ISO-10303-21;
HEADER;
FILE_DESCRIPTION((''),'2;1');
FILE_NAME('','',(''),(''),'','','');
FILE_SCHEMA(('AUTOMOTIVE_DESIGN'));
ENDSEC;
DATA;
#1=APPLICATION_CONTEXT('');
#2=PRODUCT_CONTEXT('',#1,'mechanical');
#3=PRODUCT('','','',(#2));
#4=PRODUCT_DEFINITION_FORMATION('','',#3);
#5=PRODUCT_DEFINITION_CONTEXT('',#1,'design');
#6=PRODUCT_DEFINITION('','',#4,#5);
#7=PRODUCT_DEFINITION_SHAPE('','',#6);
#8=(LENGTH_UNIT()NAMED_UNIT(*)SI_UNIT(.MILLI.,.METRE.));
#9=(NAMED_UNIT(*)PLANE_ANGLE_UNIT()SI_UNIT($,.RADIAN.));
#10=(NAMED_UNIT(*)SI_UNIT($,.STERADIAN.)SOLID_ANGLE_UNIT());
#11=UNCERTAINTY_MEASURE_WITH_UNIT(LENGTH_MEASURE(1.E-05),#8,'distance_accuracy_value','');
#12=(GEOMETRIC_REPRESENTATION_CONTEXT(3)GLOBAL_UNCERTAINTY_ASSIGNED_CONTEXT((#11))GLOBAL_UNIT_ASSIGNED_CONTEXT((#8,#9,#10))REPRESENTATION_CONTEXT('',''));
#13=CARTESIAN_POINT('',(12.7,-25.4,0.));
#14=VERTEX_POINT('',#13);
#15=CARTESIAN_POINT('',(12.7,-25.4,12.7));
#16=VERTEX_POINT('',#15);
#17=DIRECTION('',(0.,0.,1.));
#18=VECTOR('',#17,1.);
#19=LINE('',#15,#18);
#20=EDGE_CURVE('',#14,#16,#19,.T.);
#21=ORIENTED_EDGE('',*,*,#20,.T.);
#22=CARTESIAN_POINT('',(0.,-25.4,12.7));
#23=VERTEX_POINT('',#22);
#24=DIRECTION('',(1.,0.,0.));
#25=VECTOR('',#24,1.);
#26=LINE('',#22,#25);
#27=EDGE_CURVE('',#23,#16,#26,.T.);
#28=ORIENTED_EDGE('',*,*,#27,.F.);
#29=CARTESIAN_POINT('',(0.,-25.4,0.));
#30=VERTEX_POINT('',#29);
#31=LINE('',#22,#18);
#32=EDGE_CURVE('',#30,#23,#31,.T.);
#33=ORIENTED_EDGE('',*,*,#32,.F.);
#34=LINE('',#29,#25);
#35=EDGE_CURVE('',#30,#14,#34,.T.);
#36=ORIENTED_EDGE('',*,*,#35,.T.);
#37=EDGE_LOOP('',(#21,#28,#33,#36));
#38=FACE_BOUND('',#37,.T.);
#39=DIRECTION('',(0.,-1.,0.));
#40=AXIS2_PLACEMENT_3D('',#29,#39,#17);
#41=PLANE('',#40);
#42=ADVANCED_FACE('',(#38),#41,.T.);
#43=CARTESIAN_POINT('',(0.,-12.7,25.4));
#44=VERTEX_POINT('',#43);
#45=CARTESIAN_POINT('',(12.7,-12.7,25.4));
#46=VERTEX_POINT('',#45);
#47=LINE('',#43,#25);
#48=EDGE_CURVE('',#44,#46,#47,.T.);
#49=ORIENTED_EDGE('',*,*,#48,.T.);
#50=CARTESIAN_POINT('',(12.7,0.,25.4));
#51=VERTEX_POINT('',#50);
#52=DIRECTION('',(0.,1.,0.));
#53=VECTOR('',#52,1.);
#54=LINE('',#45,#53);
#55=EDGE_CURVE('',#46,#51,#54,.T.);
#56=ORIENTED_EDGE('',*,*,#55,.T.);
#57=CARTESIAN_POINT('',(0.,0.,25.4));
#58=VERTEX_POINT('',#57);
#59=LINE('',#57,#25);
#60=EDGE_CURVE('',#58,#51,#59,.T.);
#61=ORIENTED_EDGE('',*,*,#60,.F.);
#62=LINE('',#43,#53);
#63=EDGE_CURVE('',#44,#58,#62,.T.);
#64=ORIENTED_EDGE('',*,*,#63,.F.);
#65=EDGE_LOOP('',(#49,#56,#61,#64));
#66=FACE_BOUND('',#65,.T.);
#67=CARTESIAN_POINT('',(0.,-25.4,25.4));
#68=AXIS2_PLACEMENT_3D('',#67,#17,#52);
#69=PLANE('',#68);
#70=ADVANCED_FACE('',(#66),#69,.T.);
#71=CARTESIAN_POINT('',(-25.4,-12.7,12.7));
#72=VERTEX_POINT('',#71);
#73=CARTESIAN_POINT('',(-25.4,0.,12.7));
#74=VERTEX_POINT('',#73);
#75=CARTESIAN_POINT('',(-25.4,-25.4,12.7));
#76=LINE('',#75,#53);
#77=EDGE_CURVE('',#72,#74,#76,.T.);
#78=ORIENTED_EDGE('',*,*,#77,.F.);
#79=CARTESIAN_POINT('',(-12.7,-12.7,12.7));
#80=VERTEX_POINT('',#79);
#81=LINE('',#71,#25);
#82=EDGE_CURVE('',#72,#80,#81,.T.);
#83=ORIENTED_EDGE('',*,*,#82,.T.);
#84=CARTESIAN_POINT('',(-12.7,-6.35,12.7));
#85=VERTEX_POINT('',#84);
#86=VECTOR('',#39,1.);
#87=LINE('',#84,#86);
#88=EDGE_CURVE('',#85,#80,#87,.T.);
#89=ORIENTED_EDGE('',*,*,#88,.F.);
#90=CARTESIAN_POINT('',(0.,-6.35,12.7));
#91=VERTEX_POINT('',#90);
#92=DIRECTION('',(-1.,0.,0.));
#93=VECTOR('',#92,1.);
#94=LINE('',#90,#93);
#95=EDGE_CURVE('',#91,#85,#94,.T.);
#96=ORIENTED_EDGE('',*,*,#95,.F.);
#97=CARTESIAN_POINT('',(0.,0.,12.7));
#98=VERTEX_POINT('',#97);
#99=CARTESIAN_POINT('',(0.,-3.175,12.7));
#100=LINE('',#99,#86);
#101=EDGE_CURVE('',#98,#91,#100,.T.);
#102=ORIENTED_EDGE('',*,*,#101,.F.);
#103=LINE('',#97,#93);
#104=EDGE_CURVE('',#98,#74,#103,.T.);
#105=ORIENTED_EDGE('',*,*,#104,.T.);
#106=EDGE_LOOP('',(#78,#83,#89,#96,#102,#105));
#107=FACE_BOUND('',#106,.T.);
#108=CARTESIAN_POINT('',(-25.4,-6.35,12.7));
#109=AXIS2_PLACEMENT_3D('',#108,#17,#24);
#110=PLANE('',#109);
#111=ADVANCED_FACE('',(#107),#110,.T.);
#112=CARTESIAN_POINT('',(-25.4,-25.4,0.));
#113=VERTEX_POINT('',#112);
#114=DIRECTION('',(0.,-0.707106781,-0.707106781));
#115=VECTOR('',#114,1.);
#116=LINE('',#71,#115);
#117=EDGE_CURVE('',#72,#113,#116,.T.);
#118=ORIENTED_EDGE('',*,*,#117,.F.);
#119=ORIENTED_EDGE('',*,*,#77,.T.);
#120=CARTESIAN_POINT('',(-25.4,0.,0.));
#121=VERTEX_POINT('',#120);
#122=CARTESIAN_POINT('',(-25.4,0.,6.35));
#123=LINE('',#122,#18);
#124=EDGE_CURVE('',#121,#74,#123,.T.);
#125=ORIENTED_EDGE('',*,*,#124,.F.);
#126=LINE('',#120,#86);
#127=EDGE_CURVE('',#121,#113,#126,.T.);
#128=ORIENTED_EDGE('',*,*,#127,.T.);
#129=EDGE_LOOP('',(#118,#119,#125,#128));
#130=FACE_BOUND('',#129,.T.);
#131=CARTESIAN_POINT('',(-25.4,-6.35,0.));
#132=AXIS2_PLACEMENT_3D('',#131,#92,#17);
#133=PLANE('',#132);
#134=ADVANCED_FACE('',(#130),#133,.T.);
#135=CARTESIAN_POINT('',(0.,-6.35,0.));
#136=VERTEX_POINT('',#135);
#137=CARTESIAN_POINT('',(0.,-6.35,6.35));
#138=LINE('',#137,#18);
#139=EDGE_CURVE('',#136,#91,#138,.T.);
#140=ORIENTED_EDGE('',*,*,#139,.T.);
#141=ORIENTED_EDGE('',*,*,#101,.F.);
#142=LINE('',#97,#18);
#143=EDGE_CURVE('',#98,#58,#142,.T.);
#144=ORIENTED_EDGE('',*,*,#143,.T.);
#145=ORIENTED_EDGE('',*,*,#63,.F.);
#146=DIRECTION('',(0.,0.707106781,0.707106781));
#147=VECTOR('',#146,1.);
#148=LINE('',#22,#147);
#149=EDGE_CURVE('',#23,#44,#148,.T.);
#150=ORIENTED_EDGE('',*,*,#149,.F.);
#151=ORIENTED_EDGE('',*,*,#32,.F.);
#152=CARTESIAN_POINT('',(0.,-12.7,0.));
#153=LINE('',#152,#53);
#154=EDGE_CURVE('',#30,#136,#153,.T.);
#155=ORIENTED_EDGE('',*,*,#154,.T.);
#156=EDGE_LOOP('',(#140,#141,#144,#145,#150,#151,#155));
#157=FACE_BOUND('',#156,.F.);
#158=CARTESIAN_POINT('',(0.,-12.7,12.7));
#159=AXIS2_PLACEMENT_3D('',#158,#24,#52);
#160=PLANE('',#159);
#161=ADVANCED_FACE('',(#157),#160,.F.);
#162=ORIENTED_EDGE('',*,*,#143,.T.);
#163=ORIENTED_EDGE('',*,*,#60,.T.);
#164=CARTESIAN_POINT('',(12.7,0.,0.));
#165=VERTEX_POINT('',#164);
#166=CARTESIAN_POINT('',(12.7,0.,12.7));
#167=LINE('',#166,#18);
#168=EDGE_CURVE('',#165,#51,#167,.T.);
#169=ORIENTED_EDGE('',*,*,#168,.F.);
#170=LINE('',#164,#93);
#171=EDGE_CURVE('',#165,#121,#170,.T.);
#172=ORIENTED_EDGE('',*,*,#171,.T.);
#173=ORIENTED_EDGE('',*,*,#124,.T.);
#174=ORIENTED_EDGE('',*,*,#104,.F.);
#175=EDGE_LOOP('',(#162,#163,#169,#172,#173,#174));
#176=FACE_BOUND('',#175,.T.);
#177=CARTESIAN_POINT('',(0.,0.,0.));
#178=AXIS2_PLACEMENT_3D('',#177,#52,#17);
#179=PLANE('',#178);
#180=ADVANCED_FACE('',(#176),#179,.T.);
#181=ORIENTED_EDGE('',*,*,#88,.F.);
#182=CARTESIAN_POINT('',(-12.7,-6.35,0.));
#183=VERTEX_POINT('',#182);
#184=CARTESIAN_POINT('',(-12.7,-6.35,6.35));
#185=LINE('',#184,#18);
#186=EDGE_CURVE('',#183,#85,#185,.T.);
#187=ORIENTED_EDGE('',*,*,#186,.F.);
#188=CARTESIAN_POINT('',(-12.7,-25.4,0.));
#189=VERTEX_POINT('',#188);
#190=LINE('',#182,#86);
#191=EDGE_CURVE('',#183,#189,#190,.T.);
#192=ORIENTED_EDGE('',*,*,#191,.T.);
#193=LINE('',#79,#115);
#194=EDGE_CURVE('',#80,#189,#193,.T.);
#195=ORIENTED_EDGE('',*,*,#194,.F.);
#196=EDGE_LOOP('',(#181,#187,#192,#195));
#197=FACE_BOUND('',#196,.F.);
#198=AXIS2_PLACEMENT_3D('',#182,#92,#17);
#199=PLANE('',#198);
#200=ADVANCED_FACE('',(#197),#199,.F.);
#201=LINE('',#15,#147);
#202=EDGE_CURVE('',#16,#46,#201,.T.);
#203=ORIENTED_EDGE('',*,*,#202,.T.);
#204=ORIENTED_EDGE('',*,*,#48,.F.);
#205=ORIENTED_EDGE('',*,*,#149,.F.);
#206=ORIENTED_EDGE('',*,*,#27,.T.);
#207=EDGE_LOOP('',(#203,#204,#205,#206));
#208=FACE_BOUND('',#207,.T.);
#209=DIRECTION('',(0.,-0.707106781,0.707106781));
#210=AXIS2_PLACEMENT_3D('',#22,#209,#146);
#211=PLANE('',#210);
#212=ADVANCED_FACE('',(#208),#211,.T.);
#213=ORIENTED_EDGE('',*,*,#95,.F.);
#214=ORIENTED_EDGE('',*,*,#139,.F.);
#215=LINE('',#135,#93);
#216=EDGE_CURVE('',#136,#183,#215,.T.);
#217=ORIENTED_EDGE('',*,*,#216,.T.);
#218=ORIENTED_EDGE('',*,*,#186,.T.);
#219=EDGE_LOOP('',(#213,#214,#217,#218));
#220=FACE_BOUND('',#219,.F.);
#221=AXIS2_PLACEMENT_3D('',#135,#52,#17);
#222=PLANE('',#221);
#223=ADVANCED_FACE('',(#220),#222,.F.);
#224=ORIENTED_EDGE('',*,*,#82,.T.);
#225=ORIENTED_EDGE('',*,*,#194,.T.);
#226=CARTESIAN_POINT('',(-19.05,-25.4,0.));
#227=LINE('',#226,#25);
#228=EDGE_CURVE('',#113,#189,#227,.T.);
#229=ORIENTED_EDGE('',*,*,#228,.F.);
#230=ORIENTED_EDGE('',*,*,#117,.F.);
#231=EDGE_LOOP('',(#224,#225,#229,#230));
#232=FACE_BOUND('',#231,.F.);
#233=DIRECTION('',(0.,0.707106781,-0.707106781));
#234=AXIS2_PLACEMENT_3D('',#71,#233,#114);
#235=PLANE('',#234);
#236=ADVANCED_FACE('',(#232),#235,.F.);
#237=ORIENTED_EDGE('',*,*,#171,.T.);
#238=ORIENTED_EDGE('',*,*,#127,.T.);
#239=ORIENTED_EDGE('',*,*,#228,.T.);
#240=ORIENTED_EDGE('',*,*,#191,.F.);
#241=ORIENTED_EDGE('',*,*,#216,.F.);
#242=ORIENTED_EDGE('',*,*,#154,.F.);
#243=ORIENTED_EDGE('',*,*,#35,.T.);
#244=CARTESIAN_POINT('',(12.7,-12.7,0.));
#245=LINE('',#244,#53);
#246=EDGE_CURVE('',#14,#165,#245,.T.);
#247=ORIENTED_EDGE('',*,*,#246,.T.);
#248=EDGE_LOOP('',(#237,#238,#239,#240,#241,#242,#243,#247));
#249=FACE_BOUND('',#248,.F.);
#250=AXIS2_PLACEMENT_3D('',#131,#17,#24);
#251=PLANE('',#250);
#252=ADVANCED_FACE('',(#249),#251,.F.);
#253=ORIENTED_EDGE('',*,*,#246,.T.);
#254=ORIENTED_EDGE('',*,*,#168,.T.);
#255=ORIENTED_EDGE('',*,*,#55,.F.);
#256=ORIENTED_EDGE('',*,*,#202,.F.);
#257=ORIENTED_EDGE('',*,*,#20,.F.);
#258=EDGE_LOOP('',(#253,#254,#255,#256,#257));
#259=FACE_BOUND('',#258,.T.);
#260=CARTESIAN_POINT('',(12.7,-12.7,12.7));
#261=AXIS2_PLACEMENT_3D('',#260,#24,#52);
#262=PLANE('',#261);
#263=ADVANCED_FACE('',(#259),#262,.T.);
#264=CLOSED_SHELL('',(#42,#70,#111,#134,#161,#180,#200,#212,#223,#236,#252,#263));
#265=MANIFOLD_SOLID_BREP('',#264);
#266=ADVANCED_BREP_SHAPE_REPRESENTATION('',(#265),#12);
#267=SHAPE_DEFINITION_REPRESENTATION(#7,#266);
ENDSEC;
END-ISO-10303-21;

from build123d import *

# Parameters (mm, degrees)
F0_W     = 25.4
F0_H     = 25.4
F1_DEPTH = 12.7
F3_DEPTH = 12.7
F4_W     = 6.35
F4_H     = 12.7
F5_DEPTH = 25.4
F6_W     = 12.7
F6_H     = 12.7
F7_DEPTH = 19.05
F9_DEPTH = 12.7


with BuildPart() as f1:
    # F0 (on Right) → F1 (new body)
    with BuildSketch(Plane.YZ):
        with Locations((-12.7, 12.7)):
            Rectangle(F0_W, F0_H)
    extrude(amount=F1_DEPTH)

    # F2 (on Right) → F3 (cut)
    with BuildSketch(Plane.YZ):
        Polygon((-12.7, 25.4), (-25.4, 25.4), (-25.4, 12.7), align=None)
    extrude(amount=F3_DEPTH, mode=Mode.SUBTRACT)

    # F4 (on face) → F5 (join)
    with BuildSketch(Plane(origin=(0, 0, 0), x_dir=(0, -1, 0), z_dir=(-1, 0, 0))):
        with Locations((3.175, 6.35)):
            Rectangle(F4_W, F4_H)
    extrude(amount=F5_DEPTH)

    # F6 (on face) → F7 (join)
    with BuildSketch(Plane.XZ.offset(6.35)):
        with Locations((-19.05, 6.35)):
            Rectangle(F6_W, F6_H)
    extrude(amount=F7_DEPTH)

    # F8 (on face) → F9 (cut)
    with BuildSketch(Plane(origin=(-25.4, 0, 0), x_dir=(0, -1, 0), z_dir=(-1, 0, 0))):
        Polygon((25.4, 12.7), (12.7, 12.7), (25.4, 0), align=None)
    extrude(amount=-F9_DEPTH, mode=Mode.SUBTRACT)


solid = f1.part
